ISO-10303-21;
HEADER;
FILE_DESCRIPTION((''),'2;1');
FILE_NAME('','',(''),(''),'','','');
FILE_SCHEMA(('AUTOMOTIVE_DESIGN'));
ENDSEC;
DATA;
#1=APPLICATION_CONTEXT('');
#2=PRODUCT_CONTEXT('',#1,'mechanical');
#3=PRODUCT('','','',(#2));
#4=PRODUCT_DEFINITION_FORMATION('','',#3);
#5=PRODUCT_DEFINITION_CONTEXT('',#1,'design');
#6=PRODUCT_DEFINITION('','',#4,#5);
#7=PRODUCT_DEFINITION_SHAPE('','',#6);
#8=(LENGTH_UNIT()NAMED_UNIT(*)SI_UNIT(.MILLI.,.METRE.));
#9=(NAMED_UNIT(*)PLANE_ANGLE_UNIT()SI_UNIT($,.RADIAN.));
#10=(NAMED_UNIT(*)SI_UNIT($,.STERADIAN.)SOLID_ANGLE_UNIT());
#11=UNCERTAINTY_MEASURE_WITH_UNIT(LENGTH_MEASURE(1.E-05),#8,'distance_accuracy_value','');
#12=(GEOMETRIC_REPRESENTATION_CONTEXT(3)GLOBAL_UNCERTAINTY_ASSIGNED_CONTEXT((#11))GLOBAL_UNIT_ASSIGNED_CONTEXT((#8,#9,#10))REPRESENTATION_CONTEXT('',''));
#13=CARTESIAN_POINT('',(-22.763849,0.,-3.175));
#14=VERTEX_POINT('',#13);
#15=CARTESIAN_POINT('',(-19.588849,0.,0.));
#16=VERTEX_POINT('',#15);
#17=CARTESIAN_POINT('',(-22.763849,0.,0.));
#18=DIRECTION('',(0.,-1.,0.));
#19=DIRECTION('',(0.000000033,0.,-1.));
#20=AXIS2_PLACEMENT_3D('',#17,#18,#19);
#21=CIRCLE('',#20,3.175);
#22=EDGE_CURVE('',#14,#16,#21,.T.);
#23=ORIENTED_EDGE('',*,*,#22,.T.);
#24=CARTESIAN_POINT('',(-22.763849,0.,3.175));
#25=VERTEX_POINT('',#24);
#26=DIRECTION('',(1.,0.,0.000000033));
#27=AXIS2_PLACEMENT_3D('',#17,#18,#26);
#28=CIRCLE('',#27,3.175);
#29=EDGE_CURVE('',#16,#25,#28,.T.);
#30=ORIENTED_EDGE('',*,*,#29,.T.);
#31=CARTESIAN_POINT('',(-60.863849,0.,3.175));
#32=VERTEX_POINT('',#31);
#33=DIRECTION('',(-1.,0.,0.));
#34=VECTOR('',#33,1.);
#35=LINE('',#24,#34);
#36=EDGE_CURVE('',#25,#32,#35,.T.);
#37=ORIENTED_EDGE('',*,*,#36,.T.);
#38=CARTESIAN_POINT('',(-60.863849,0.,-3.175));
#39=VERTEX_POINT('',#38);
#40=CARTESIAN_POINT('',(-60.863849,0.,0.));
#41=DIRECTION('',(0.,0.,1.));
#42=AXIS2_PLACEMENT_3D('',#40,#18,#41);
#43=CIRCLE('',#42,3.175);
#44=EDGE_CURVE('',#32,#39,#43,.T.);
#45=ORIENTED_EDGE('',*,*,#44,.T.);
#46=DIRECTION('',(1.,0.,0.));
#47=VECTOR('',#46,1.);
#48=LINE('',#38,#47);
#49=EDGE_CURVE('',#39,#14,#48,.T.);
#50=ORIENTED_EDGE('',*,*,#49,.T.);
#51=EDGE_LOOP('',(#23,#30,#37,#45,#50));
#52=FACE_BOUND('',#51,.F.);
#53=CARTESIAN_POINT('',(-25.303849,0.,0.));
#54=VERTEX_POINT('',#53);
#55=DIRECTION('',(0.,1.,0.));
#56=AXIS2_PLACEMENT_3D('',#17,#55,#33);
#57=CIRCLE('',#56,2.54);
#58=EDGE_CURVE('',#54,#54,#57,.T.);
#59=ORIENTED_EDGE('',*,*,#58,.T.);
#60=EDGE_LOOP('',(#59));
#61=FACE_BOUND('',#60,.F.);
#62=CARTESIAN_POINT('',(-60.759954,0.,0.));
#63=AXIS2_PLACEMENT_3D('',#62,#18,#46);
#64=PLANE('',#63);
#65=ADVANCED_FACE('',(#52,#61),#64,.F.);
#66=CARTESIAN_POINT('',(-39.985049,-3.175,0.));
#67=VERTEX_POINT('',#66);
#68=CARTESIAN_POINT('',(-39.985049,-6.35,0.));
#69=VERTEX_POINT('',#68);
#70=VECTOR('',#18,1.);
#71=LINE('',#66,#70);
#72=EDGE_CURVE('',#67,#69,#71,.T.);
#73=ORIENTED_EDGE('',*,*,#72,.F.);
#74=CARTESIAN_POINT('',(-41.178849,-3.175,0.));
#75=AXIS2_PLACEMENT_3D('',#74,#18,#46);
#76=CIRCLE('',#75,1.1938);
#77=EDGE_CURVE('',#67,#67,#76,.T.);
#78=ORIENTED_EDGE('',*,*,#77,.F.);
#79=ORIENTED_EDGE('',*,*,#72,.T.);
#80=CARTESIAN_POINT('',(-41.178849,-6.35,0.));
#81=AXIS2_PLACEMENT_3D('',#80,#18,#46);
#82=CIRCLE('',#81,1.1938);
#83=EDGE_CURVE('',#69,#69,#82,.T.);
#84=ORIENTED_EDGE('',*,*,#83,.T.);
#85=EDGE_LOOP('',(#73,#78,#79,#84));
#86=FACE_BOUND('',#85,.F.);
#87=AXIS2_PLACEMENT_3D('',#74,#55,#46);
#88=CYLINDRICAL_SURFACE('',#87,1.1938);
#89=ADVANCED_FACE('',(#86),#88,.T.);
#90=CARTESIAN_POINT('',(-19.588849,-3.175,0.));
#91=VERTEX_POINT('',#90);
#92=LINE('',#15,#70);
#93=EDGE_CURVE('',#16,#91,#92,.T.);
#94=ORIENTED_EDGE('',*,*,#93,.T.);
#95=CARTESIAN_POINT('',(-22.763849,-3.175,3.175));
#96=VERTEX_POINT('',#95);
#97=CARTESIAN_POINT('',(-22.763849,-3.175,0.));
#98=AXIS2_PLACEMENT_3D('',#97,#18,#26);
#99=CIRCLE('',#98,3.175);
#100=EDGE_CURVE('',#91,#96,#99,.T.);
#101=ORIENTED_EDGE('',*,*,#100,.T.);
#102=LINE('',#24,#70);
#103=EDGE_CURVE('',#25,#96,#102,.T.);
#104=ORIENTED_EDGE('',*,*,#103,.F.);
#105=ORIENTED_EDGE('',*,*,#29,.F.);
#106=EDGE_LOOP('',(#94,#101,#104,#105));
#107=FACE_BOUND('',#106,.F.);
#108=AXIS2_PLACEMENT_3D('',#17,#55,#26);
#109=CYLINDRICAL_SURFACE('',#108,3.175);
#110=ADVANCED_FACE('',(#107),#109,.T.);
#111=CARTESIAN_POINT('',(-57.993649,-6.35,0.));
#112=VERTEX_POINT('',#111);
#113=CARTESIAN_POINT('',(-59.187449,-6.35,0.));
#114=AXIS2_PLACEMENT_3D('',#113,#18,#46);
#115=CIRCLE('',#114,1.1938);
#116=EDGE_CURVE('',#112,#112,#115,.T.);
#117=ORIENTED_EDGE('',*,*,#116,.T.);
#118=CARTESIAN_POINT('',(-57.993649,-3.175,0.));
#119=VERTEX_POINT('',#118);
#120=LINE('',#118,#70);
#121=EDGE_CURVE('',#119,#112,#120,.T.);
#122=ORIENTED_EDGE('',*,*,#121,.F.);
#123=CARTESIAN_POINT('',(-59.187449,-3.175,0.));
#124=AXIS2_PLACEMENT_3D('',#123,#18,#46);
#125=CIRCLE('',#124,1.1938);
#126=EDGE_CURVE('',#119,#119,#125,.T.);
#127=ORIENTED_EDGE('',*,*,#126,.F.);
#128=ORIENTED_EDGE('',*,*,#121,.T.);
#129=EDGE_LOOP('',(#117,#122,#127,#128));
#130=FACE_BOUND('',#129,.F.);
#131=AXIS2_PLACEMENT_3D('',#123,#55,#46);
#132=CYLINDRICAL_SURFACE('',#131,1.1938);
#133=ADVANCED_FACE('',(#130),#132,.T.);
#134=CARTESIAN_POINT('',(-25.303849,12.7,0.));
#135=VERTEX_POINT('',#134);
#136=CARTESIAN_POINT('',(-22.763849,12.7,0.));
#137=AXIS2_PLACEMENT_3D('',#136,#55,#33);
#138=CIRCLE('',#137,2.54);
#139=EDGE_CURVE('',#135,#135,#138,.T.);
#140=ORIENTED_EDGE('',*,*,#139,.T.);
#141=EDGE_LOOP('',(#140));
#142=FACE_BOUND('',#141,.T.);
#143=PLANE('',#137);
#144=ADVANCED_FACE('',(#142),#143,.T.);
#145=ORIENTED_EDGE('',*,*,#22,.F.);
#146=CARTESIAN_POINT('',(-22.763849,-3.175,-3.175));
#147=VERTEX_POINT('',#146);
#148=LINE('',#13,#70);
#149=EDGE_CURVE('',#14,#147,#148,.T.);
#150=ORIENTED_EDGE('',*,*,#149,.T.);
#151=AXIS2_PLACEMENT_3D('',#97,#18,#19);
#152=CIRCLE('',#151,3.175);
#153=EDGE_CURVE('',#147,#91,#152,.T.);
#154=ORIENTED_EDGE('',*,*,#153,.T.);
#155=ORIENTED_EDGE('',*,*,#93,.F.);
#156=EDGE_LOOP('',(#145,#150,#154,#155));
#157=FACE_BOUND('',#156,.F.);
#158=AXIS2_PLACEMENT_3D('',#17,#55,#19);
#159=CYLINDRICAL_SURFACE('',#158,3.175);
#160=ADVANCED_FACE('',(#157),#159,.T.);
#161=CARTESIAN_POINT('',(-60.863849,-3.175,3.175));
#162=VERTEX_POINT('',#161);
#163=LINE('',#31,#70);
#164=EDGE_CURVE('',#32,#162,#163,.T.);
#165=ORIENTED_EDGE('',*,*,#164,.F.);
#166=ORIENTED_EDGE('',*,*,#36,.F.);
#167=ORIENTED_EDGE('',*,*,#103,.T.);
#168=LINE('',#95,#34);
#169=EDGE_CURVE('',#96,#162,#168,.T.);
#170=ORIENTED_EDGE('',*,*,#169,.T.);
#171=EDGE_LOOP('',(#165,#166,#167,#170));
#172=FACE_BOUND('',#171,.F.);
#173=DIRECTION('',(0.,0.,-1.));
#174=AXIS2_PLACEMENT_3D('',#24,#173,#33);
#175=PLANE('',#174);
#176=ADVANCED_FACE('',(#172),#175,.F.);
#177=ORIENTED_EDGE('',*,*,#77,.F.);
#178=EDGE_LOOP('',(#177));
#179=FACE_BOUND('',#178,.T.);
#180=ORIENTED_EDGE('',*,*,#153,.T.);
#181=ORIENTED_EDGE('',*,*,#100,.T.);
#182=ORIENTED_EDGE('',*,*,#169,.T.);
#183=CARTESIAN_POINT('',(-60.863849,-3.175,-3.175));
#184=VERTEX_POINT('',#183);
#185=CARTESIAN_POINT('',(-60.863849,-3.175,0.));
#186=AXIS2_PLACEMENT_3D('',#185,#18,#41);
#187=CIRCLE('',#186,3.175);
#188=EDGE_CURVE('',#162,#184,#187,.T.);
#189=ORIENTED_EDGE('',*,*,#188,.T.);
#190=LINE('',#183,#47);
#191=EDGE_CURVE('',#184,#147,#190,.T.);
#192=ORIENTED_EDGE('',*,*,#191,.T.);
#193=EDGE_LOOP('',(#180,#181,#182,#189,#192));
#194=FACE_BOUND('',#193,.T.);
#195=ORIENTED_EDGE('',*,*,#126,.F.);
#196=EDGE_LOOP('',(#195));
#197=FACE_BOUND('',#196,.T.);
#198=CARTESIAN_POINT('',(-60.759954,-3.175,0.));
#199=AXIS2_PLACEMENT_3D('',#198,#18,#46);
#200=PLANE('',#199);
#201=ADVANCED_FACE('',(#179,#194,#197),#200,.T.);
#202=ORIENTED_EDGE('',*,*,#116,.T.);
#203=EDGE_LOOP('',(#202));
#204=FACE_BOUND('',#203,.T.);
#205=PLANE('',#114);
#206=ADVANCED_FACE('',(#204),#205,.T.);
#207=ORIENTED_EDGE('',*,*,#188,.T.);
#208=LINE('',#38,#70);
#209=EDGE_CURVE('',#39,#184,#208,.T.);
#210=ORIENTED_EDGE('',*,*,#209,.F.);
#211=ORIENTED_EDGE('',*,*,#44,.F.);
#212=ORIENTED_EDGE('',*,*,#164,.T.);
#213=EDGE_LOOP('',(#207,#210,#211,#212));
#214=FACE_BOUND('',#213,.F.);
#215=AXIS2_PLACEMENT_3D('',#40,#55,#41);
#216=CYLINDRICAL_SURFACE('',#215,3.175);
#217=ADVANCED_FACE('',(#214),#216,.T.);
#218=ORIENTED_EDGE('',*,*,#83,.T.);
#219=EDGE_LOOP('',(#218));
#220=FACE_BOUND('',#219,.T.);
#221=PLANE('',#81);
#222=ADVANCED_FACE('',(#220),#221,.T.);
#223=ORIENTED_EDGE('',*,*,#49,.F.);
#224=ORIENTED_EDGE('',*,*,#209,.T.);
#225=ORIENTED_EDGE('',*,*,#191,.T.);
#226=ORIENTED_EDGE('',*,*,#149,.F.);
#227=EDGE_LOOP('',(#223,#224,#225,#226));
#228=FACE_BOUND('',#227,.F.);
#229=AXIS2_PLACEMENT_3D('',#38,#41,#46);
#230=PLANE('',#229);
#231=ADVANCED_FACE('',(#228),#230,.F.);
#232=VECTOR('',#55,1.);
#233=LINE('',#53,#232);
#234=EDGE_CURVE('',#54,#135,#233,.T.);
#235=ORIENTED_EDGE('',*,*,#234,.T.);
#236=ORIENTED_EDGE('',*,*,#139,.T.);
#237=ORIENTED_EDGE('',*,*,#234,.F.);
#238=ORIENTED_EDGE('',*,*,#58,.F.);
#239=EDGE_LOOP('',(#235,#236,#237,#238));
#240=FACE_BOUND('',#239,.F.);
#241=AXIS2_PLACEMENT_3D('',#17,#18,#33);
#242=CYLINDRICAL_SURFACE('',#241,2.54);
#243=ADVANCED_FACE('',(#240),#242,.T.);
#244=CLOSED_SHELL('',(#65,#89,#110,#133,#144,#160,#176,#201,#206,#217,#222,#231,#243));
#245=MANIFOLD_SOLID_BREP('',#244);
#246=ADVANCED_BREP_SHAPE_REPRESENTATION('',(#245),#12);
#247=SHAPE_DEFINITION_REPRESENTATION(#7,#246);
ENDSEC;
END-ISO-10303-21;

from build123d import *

# Parameters (mm, degrees)
F1_DEPTH = 3.175
F2_R     = 1.1938
F3_DEPTH = 3.175
F4_R     = 2.54
F5_DEPTH = 12.7


with BuildPart() as f1:
    # F0 (on Front) → F1 (new body)
    with BuildSketch(Plane.XZ):
        with BuildLine():
            ThreePointArc((-60.863849, -3.175), (-58.618785, -2.245064), (-57.688849, 0))
            ThreePointArc((-57.688849, 0), (-58.618785, 2.245064), (-60.863849, 3.175))
            ThreePointArc((-60.863849, 3.175), (-64.038849, 0), (-60.863849, -3.175))
        make_face()
        with BuildLine():
            ThreePointArc((-60.863849, 3.175), (-58.618785, 2.245064), (-57.688849, 0))
            ThreePointArc((-57.688849, 0), (-58.618785, -2.245064), (-60.863849, -3.175))
            Line((-60.863849, -3.175), (-22.763849, -3.175))
            ThreePointArc((-22.763849, -3.175), (-25.938849, 0), (-22.763849, 3.175))
            Line((-22.763849, 3.175), (-60.863849, 3.175))
        make_face()
        with BuildLine():
            ThreePointArc((-19.588849, 0), (-20.518785, 2.245064), (-22.763849, 3.175))
            ThreePointArc((-22.763849, 3.175), (-25.938849, 0), (-22.763849, -3.175))
            ThreePointArc((-22.763849, -3.175), (-20.518785, -2.245064), (-19.588849, 0))
        make_face()
    extrude(amount=F1_DEPTH)

    # F2 (on face) → F3 (join)
    with BuildSketch(Plane.XZ.offset(3.175)):
        with Locations((-41.178849, 0)):
            Circle(F2_R)
        with Locations((-59.187449, 0)):
            Circle(F2_R)
    extrude(amount=F3_DEPTH)

    # F4 (on face) → F5 (join)
    with BuildSketch(Plane(origin=(0, 0, 0), x_dir=(-1, 0, 0), z_dir=(0, 1, 0))):
        with Locations((22.763849, 0)):
            Circle(F4_R)
    extrude(amount=F5_DEPTH)


solid = f1.part
